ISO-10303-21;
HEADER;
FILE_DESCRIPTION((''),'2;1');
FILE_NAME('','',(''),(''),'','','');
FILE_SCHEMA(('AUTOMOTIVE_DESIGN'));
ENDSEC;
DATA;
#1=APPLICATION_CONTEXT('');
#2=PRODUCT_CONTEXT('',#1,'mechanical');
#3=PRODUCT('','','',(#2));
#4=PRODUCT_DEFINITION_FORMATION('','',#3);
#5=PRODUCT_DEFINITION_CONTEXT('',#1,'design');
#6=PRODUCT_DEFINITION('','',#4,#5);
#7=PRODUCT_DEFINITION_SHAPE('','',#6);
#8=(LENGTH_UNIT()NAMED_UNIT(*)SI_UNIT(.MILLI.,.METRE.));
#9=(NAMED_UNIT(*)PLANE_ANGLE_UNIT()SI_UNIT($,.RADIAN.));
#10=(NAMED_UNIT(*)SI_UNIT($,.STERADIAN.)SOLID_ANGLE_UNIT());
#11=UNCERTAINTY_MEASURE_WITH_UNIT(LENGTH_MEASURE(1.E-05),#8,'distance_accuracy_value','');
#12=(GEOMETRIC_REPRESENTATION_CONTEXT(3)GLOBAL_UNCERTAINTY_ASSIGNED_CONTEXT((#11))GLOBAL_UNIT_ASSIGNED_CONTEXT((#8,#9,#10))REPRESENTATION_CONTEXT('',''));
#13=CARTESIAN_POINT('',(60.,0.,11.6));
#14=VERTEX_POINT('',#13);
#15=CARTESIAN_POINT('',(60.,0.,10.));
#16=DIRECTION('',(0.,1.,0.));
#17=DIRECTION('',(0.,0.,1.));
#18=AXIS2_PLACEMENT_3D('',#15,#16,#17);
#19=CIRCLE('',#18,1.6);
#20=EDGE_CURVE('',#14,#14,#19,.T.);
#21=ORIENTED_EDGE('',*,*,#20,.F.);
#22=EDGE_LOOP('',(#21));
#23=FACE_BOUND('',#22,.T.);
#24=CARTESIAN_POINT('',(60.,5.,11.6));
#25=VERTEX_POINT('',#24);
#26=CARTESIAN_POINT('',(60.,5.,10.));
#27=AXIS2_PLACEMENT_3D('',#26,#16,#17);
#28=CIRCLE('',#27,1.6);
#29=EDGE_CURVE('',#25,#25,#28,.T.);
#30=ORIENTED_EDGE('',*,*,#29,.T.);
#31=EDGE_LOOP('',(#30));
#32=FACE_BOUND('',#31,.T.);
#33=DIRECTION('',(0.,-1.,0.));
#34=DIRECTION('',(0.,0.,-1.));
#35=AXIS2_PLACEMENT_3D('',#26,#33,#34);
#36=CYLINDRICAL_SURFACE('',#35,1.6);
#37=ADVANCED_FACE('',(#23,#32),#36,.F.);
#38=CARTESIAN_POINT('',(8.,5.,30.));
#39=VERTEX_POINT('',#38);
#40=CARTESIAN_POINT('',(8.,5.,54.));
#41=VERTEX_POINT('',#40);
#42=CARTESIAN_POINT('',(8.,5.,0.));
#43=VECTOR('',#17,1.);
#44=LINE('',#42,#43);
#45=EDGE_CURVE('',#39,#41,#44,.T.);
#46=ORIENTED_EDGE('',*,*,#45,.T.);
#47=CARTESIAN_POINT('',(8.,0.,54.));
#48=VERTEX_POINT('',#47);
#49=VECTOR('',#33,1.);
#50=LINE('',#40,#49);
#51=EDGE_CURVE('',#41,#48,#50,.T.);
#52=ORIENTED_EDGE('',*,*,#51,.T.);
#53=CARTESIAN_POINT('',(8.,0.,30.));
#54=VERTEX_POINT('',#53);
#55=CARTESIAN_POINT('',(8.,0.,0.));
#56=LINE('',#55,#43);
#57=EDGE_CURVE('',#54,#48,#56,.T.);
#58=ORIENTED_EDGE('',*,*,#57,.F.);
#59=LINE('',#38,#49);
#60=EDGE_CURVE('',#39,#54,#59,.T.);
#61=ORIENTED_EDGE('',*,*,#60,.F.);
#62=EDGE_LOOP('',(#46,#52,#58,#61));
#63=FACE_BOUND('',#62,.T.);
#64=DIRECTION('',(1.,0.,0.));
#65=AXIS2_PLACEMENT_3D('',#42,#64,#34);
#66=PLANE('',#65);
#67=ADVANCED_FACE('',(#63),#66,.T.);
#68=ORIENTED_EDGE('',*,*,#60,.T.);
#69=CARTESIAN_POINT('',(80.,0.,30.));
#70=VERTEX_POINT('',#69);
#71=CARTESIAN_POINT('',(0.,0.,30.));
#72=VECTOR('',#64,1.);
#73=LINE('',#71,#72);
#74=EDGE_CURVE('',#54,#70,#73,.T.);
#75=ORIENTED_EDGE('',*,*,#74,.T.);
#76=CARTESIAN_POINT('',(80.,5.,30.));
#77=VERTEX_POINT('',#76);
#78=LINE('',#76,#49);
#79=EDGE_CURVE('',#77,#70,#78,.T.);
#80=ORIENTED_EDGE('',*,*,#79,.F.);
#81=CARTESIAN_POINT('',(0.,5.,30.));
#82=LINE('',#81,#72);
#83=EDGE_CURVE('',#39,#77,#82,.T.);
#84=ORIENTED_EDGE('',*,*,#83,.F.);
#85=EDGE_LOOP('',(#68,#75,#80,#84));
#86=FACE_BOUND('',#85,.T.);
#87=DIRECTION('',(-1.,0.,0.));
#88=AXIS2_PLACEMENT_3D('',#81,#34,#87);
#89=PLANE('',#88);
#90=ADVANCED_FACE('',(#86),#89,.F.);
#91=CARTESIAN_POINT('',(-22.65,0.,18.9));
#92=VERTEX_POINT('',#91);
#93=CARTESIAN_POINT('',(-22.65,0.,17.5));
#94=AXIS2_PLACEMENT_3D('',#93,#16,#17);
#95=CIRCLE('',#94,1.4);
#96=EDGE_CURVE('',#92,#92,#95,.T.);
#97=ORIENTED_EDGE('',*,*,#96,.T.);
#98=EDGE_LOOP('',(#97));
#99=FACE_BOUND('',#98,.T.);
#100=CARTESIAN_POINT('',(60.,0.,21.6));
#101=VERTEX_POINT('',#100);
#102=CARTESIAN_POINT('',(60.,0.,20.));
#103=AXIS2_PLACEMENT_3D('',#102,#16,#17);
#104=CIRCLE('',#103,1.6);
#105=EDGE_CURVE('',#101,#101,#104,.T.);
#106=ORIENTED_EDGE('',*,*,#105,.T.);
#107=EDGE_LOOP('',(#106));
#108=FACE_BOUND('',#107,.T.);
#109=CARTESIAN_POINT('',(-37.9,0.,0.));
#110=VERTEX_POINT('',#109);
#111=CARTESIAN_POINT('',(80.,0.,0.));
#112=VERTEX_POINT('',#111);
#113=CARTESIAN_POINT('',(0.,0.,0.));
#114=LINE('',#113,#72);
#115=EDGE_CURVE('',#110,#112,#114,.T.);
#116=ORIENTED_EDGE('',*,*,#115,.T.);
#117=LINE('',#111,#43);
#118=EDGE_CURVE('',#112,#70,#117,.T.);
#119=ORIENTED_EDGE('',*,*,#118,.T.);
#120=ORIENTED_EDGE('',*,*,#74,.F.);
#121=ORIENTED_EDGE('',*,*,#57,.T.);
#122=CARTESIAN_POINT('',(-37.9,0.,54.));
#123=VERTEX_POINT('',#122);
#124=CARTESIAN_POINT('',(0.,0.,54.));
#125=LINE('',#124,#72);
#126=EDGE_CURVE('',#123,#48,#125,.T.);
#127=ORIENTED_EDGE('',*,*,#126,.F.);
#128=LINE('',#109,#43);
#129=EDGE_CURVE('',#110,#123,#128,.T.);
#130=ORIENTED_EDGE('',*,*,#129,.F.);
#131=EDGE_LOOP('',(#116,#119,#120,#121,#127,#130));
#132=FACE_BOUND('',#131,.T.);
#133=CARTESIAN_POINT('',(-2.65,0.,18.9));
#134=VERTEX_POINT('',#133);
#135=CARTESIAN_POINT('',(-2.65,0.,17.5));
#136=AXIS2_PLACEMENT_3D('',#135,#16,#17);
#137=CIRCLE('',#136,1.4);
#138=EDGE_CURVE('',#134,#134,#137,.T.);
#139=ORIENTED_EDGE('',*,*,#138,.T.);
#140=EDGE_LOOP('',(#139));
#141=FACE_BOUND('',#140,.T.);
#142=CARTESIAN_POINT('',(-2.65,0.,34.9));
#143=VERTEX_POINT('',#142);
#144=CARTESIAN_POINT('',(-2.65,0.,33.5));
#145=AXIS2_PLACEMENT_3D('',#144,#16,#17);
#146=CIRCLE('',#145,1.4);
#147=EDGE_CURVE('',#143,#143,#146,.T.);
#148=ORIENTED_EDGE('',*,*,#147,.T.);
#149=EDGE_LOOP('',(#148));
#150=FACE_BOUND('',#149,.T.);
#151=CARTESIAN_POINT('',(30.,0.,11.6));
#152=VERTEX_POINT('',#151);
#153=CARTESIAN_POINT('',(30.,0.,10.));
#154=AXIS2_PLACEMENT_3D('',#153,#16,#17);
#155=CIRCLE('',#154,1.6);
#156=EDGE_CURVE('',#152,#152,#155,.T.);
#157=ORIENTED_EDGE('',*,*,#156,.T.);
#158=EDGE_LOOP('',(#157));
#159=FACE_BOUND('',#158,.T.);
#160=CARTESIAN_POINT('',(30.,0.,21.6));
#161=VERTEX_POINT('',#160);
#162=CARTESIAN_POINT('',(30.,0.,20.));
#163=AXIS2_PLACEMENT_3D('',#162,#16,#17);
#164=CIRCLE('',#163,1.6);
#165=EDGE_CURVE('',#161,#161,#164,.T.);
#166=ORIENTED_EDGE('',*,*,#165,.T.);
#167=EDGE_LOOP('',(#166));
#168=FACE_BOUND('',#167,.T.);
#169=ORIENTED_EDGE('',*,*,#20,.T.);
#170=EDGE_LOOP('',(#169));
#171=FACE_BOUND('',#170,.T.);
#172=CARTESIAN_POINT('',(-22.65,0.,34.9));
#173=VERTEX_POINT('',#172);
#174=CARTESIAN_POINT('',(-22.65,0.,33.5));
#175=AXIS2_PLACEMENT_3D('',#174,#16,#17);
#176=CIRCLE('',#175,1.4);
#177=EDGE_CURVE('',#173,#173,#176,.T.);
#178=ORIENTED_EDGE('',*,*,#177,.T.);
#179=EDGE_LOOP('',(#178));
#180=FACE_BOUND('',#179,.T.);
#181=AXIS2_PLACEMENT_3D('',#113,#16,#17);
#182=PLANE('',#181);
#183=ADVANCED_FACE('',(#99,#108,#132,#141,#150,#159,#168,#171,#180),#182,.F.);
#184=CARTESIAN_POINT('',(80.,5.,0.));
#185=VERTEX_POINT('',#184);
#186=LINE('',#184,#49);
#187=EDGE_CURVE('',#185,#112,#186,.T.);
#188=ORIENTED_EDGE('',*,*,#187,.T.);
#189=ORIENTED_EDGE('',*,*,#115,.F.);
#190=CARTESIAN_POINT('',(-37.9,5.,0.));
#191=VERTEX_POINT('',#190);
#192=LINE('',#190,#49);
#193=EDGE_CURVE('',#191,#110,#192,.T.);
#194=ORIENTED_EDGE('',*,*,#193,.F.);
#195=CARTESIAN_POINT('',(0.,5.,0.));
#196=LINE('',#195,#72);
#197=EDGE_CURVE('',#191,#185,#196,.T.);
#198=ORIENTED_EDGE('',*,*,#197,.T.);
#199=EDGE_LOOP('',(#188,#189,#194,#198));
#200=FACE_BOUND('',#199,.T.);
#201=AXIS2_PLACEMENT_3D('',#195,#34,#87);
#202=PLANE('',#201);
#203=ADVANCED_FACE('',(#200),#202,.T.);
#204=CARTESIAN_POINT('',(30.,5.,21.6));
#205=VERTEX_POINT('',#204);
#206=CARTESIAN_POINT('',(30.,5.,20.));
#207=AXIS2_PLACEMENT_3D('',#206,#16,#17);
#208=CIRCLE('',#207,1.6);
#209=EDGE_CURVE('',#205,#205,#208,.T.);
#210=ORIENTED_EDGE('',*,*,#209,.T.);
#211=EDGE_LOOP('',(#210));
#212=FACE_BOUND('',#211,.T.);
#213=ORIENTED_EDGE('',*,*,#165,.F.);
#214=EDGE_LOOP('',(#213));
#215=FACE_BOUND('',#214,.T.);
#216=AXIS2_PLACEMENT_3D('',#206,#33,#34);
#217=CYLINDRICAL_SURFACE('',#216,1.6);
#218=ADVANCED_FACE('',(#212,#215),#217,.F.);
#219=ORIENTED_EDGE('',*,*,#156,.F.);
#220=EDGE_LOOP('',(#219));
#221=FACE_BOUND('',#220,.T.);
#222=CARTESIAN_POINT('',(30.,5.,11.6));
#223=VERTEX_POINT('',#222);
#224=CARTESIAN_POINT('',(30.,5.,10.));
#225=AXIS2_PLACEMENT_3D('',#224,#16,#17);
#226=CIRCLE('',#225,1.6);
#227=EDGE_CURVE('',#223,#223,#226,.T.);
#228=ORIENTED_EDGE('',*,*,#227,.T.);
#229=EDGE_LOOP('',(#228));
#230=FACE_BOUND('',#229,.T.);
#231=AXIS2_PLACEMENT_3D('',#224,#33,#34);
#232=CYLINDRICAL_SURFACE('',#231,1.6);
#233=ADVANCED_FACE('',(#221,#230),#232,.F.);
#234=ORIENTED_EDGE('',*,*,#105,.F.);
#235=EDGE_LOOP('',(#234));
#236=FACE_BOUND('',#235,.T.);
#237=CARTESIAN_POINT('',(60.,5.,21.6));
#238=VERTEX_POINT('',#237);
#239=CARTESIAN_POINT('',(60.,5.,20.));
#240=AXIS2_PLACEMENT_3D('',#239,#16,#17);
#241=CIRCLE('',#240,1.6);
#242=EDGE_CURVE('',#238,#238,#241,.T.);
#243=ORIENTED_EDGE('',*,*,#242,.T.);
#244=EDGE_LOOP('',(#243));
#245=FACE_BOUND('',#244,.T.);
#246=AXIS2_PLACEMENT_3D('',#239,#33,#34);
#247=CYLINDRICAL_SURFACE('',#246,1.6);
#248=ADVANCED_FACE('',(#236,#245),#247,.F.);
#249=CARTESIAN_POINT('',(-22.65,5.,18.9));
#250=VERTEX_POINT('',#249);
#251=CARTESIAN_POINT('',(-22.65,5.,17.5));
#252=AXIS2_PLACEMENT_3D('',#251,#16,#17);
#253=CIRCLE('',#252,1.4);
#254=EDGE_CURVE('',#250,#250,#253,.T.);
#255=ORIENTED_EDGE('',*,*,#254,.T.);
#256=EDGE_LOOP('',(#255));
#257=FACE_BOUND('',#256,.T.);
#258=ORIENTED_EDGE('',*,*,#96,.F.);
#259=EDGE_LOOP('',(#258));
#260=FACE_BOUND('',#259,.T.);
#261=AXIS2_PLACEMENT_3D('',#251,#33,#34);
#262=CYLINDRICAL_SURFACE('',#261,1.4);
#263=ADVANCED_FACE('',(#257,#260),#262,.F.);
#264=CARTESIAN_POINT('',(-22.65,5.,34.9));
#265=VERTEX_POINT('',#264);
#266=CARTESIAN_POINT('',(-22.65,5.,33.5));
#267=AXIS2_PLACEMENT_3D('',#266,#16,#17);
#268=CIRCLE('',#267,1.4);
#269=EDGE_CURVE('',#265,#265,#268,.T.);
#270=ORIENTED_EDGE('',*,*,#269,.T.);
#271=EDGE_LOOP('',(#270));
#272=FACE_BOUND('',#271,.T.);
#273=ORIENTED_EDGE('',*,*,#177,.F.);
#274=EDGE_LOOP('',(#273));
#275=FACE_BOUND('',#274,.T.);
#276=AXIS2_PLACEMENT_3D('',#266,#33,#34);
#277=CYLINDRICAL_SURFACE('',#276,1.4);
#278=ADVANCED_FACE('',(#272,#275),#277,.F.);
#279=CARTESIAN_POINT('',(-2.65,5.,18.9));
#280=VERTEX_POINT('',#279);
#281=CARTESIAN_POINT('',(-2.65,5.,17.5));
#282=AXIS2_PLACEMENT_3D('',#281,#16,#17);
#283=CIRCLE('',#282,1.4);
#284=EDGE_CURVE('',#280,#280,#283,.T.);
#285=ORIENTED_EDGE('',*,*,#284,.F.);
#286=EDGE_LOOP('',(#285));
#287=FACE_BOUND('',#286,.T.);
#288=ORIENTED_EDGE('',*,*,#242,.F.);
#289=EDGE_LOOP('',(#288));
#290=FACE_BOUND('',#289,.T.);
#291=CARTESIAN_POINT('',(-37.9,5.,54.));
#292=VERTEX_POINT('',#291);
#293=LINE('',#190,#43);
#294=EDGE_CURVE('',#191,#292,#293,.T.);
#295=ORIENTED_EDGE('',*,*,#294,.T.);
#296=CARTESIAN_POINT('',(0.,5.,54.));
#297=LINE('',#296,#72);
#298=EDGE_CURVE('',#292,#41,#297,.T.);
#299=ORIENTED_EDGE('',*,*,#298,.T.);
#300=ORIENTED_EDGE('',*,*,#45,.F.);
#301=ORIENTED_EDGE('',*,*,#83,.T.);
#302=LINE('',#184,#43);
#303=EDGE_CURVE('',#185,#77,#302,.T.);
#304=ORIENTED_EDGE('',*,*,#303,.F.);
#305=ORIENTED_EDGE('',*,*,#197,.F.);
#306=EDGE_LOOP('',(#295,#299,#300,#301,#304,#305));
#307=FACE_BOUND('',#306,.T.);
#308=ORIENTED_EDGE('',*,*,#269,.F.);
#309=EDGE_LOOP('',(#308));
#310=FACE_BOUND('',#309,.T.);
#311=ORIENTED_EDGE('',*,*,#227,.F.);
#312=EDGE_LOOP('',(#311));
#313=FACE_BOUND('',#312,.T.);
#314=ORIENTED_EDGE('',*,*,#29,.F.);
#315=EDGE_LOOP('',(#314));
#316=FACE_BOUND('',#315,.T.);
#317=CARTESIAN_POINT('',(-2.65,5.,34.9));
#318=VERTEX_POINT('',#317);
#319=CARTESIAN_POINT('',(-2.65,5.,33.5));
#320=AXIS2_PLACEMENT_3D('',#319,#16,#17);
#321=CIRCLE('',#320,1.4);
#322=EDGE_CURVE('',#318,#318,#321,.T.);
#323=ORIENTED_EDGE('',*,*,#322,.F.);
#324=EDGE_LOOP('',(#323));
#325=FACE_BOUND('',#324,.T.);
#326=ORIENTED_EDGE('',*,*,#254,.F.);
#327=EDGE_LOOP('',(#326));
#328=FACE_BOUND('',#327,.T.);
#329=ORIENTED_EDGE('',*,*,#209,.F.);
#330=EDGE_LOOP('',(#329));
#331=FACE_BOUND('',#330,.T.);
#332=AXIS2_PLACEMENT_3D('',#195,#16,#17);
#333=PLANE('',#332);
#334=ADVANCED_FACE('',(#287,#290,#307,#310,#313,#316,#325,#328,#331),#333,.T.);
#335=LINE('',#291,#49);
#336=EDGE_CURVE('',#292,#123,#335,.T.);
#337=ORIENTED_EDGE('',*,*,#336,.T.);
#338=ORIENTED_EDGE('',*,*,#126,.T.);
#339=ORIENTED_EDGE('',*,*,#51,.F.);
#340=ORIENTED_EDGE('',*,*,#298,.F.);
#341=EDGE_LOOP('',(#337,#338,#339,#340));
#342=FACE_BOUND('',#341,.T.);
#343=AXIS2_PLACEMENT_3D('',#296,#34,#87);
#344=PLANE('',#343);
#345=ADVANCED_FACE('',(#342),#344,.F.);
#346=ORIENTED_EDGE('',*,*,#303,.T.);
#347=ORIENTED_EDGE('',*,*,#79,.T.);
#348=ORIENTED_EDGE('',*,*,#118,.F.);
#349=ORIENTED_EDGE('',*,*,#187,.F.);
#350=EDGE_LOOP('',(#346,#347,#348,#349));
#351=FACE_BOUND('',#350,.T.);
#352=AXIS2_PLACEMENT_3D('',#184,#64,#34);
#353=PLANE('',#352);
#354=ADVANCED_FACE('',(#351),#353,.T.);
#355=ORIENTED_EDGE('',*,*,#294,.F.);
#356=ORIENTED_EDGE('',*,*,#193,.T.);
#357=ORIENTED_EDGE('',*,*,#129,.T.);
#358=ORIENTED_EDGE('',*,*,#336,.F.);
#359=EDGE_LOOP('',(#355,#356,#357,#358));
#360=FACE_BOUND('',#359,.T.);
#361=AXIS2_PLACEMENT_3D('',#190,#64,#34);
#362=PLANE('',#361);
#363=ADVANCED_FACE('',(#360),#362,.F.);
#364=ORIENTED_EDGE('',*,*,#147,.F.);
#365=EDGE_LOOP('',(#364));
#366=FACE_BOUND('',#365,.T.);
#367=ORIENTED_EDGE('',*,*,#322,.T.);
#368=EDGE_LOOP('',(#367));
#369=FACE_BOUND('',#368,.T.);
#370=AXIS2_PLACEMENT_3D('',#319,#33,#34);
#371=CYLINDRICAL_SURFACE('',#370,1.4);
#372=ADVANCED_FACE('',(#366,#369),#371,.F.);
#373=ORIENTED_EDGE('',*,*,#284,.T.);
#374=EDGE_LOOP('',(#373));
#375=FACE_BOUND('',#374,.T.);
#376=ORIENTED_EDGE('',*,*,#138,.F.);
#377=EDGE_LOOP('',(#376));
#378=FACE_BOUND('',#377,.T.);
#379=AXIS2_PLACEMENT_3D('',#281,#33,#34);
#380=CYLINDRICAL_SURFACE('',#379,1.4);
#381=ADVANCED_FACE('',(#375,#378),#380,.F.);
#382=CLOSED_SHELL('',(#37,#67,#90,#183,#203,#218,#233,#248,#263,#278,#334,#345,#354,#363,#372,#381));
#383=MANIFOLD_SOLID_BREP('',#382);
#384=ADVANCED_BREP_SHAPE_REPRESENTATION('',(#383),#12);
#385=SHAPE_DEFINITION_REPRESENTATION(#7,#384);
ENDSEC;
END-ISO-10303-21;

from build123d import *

# Parameters (mm, degrees)
SKETCH1_R           = 1.4
SKETCH1_R_2         = 1.6
SKETCH1_W           = 8
SKETCH1_H           = 24
BOSS_EXTRUDE1_DEPTH = 5


with BuildPart() as part:
    # Sketch1 → Boss-Extrude1 (new body)
    # profile 1 of 3: a face of its own
    with BuildSketch(Plane(origin=(0, 0, 0), x_dir=(1, 0, 0), z_dir=(0, 1, 0))):
        Polygon((0, -30), (0, 0), (-37.9, 0), (-37.9, -35), (-37.9, -54), (0, -54), align=None)
        with Locations(Location((-22.65, -33.5, 0), (0, 0, 270))):
            Circle(SKETCH1_R, mode=Mode.SUBTRACT)
        with Locations(Location((-2.65, -33.5, 0), (0, 0, 270))):
            Circle(SKETCH1_R, mode=Mode.SUBTRACT)
        with Locations(Location((-22.65, -17.5, 0), (0, 0, 270))):
            Circle(SKETCH1_R, mode=Mode.SUBTRACT)
        with Locations(Location((-2.65, -17.5, 0), (0, 0, 270))):
            Circle(SKETCH1_R, mode=Mode.SUBTRACT)
    # profile 2 of 3: a face of its own
    with BuildSketch(Plane(origin=(0, 0, 0), x_dir=(1, 0, 0), z_dir=(0, 1, 0))):
        Polygon((80, 0), (0, 0), (0, -30), (8, -30), (80, -30), align=None)
        with Locations(Location((30, -20, 0), (0, 0, 270))):
            Circle(SKETCH1_R_2, mode=Mode.SUBTRACT)
        with Locations(Location((60, -20, 0), (0, 0, 270))):
            Circle(SKETCH1_R_2, mode=Mode.SUBTRACT)
        with Locations(Location((30, -10, 0), (0, 0, 270))):
            Circle(SKETCH1_R_2, mode=Mode.SUBTRACT)
        with Locations(Location((60, -10, 0), (0, 0, 270))):
            Circle(SKETCH1_R_2, mode=Mode.SUBTRACT)
    # profile 3 of 3: a face of its own
    with BuildSketch(Plane(origin=(0, 0, 0), x_dir=(1, 0, 0), z_dir=(0, 1, 0))):
        with Locations((4, -42)):
            Rectangle(SKETCH1_W, SKETCH1_H)
    extrude(amount=BOSS_EXTRUDE1_DEPTH)


solid = part.part
